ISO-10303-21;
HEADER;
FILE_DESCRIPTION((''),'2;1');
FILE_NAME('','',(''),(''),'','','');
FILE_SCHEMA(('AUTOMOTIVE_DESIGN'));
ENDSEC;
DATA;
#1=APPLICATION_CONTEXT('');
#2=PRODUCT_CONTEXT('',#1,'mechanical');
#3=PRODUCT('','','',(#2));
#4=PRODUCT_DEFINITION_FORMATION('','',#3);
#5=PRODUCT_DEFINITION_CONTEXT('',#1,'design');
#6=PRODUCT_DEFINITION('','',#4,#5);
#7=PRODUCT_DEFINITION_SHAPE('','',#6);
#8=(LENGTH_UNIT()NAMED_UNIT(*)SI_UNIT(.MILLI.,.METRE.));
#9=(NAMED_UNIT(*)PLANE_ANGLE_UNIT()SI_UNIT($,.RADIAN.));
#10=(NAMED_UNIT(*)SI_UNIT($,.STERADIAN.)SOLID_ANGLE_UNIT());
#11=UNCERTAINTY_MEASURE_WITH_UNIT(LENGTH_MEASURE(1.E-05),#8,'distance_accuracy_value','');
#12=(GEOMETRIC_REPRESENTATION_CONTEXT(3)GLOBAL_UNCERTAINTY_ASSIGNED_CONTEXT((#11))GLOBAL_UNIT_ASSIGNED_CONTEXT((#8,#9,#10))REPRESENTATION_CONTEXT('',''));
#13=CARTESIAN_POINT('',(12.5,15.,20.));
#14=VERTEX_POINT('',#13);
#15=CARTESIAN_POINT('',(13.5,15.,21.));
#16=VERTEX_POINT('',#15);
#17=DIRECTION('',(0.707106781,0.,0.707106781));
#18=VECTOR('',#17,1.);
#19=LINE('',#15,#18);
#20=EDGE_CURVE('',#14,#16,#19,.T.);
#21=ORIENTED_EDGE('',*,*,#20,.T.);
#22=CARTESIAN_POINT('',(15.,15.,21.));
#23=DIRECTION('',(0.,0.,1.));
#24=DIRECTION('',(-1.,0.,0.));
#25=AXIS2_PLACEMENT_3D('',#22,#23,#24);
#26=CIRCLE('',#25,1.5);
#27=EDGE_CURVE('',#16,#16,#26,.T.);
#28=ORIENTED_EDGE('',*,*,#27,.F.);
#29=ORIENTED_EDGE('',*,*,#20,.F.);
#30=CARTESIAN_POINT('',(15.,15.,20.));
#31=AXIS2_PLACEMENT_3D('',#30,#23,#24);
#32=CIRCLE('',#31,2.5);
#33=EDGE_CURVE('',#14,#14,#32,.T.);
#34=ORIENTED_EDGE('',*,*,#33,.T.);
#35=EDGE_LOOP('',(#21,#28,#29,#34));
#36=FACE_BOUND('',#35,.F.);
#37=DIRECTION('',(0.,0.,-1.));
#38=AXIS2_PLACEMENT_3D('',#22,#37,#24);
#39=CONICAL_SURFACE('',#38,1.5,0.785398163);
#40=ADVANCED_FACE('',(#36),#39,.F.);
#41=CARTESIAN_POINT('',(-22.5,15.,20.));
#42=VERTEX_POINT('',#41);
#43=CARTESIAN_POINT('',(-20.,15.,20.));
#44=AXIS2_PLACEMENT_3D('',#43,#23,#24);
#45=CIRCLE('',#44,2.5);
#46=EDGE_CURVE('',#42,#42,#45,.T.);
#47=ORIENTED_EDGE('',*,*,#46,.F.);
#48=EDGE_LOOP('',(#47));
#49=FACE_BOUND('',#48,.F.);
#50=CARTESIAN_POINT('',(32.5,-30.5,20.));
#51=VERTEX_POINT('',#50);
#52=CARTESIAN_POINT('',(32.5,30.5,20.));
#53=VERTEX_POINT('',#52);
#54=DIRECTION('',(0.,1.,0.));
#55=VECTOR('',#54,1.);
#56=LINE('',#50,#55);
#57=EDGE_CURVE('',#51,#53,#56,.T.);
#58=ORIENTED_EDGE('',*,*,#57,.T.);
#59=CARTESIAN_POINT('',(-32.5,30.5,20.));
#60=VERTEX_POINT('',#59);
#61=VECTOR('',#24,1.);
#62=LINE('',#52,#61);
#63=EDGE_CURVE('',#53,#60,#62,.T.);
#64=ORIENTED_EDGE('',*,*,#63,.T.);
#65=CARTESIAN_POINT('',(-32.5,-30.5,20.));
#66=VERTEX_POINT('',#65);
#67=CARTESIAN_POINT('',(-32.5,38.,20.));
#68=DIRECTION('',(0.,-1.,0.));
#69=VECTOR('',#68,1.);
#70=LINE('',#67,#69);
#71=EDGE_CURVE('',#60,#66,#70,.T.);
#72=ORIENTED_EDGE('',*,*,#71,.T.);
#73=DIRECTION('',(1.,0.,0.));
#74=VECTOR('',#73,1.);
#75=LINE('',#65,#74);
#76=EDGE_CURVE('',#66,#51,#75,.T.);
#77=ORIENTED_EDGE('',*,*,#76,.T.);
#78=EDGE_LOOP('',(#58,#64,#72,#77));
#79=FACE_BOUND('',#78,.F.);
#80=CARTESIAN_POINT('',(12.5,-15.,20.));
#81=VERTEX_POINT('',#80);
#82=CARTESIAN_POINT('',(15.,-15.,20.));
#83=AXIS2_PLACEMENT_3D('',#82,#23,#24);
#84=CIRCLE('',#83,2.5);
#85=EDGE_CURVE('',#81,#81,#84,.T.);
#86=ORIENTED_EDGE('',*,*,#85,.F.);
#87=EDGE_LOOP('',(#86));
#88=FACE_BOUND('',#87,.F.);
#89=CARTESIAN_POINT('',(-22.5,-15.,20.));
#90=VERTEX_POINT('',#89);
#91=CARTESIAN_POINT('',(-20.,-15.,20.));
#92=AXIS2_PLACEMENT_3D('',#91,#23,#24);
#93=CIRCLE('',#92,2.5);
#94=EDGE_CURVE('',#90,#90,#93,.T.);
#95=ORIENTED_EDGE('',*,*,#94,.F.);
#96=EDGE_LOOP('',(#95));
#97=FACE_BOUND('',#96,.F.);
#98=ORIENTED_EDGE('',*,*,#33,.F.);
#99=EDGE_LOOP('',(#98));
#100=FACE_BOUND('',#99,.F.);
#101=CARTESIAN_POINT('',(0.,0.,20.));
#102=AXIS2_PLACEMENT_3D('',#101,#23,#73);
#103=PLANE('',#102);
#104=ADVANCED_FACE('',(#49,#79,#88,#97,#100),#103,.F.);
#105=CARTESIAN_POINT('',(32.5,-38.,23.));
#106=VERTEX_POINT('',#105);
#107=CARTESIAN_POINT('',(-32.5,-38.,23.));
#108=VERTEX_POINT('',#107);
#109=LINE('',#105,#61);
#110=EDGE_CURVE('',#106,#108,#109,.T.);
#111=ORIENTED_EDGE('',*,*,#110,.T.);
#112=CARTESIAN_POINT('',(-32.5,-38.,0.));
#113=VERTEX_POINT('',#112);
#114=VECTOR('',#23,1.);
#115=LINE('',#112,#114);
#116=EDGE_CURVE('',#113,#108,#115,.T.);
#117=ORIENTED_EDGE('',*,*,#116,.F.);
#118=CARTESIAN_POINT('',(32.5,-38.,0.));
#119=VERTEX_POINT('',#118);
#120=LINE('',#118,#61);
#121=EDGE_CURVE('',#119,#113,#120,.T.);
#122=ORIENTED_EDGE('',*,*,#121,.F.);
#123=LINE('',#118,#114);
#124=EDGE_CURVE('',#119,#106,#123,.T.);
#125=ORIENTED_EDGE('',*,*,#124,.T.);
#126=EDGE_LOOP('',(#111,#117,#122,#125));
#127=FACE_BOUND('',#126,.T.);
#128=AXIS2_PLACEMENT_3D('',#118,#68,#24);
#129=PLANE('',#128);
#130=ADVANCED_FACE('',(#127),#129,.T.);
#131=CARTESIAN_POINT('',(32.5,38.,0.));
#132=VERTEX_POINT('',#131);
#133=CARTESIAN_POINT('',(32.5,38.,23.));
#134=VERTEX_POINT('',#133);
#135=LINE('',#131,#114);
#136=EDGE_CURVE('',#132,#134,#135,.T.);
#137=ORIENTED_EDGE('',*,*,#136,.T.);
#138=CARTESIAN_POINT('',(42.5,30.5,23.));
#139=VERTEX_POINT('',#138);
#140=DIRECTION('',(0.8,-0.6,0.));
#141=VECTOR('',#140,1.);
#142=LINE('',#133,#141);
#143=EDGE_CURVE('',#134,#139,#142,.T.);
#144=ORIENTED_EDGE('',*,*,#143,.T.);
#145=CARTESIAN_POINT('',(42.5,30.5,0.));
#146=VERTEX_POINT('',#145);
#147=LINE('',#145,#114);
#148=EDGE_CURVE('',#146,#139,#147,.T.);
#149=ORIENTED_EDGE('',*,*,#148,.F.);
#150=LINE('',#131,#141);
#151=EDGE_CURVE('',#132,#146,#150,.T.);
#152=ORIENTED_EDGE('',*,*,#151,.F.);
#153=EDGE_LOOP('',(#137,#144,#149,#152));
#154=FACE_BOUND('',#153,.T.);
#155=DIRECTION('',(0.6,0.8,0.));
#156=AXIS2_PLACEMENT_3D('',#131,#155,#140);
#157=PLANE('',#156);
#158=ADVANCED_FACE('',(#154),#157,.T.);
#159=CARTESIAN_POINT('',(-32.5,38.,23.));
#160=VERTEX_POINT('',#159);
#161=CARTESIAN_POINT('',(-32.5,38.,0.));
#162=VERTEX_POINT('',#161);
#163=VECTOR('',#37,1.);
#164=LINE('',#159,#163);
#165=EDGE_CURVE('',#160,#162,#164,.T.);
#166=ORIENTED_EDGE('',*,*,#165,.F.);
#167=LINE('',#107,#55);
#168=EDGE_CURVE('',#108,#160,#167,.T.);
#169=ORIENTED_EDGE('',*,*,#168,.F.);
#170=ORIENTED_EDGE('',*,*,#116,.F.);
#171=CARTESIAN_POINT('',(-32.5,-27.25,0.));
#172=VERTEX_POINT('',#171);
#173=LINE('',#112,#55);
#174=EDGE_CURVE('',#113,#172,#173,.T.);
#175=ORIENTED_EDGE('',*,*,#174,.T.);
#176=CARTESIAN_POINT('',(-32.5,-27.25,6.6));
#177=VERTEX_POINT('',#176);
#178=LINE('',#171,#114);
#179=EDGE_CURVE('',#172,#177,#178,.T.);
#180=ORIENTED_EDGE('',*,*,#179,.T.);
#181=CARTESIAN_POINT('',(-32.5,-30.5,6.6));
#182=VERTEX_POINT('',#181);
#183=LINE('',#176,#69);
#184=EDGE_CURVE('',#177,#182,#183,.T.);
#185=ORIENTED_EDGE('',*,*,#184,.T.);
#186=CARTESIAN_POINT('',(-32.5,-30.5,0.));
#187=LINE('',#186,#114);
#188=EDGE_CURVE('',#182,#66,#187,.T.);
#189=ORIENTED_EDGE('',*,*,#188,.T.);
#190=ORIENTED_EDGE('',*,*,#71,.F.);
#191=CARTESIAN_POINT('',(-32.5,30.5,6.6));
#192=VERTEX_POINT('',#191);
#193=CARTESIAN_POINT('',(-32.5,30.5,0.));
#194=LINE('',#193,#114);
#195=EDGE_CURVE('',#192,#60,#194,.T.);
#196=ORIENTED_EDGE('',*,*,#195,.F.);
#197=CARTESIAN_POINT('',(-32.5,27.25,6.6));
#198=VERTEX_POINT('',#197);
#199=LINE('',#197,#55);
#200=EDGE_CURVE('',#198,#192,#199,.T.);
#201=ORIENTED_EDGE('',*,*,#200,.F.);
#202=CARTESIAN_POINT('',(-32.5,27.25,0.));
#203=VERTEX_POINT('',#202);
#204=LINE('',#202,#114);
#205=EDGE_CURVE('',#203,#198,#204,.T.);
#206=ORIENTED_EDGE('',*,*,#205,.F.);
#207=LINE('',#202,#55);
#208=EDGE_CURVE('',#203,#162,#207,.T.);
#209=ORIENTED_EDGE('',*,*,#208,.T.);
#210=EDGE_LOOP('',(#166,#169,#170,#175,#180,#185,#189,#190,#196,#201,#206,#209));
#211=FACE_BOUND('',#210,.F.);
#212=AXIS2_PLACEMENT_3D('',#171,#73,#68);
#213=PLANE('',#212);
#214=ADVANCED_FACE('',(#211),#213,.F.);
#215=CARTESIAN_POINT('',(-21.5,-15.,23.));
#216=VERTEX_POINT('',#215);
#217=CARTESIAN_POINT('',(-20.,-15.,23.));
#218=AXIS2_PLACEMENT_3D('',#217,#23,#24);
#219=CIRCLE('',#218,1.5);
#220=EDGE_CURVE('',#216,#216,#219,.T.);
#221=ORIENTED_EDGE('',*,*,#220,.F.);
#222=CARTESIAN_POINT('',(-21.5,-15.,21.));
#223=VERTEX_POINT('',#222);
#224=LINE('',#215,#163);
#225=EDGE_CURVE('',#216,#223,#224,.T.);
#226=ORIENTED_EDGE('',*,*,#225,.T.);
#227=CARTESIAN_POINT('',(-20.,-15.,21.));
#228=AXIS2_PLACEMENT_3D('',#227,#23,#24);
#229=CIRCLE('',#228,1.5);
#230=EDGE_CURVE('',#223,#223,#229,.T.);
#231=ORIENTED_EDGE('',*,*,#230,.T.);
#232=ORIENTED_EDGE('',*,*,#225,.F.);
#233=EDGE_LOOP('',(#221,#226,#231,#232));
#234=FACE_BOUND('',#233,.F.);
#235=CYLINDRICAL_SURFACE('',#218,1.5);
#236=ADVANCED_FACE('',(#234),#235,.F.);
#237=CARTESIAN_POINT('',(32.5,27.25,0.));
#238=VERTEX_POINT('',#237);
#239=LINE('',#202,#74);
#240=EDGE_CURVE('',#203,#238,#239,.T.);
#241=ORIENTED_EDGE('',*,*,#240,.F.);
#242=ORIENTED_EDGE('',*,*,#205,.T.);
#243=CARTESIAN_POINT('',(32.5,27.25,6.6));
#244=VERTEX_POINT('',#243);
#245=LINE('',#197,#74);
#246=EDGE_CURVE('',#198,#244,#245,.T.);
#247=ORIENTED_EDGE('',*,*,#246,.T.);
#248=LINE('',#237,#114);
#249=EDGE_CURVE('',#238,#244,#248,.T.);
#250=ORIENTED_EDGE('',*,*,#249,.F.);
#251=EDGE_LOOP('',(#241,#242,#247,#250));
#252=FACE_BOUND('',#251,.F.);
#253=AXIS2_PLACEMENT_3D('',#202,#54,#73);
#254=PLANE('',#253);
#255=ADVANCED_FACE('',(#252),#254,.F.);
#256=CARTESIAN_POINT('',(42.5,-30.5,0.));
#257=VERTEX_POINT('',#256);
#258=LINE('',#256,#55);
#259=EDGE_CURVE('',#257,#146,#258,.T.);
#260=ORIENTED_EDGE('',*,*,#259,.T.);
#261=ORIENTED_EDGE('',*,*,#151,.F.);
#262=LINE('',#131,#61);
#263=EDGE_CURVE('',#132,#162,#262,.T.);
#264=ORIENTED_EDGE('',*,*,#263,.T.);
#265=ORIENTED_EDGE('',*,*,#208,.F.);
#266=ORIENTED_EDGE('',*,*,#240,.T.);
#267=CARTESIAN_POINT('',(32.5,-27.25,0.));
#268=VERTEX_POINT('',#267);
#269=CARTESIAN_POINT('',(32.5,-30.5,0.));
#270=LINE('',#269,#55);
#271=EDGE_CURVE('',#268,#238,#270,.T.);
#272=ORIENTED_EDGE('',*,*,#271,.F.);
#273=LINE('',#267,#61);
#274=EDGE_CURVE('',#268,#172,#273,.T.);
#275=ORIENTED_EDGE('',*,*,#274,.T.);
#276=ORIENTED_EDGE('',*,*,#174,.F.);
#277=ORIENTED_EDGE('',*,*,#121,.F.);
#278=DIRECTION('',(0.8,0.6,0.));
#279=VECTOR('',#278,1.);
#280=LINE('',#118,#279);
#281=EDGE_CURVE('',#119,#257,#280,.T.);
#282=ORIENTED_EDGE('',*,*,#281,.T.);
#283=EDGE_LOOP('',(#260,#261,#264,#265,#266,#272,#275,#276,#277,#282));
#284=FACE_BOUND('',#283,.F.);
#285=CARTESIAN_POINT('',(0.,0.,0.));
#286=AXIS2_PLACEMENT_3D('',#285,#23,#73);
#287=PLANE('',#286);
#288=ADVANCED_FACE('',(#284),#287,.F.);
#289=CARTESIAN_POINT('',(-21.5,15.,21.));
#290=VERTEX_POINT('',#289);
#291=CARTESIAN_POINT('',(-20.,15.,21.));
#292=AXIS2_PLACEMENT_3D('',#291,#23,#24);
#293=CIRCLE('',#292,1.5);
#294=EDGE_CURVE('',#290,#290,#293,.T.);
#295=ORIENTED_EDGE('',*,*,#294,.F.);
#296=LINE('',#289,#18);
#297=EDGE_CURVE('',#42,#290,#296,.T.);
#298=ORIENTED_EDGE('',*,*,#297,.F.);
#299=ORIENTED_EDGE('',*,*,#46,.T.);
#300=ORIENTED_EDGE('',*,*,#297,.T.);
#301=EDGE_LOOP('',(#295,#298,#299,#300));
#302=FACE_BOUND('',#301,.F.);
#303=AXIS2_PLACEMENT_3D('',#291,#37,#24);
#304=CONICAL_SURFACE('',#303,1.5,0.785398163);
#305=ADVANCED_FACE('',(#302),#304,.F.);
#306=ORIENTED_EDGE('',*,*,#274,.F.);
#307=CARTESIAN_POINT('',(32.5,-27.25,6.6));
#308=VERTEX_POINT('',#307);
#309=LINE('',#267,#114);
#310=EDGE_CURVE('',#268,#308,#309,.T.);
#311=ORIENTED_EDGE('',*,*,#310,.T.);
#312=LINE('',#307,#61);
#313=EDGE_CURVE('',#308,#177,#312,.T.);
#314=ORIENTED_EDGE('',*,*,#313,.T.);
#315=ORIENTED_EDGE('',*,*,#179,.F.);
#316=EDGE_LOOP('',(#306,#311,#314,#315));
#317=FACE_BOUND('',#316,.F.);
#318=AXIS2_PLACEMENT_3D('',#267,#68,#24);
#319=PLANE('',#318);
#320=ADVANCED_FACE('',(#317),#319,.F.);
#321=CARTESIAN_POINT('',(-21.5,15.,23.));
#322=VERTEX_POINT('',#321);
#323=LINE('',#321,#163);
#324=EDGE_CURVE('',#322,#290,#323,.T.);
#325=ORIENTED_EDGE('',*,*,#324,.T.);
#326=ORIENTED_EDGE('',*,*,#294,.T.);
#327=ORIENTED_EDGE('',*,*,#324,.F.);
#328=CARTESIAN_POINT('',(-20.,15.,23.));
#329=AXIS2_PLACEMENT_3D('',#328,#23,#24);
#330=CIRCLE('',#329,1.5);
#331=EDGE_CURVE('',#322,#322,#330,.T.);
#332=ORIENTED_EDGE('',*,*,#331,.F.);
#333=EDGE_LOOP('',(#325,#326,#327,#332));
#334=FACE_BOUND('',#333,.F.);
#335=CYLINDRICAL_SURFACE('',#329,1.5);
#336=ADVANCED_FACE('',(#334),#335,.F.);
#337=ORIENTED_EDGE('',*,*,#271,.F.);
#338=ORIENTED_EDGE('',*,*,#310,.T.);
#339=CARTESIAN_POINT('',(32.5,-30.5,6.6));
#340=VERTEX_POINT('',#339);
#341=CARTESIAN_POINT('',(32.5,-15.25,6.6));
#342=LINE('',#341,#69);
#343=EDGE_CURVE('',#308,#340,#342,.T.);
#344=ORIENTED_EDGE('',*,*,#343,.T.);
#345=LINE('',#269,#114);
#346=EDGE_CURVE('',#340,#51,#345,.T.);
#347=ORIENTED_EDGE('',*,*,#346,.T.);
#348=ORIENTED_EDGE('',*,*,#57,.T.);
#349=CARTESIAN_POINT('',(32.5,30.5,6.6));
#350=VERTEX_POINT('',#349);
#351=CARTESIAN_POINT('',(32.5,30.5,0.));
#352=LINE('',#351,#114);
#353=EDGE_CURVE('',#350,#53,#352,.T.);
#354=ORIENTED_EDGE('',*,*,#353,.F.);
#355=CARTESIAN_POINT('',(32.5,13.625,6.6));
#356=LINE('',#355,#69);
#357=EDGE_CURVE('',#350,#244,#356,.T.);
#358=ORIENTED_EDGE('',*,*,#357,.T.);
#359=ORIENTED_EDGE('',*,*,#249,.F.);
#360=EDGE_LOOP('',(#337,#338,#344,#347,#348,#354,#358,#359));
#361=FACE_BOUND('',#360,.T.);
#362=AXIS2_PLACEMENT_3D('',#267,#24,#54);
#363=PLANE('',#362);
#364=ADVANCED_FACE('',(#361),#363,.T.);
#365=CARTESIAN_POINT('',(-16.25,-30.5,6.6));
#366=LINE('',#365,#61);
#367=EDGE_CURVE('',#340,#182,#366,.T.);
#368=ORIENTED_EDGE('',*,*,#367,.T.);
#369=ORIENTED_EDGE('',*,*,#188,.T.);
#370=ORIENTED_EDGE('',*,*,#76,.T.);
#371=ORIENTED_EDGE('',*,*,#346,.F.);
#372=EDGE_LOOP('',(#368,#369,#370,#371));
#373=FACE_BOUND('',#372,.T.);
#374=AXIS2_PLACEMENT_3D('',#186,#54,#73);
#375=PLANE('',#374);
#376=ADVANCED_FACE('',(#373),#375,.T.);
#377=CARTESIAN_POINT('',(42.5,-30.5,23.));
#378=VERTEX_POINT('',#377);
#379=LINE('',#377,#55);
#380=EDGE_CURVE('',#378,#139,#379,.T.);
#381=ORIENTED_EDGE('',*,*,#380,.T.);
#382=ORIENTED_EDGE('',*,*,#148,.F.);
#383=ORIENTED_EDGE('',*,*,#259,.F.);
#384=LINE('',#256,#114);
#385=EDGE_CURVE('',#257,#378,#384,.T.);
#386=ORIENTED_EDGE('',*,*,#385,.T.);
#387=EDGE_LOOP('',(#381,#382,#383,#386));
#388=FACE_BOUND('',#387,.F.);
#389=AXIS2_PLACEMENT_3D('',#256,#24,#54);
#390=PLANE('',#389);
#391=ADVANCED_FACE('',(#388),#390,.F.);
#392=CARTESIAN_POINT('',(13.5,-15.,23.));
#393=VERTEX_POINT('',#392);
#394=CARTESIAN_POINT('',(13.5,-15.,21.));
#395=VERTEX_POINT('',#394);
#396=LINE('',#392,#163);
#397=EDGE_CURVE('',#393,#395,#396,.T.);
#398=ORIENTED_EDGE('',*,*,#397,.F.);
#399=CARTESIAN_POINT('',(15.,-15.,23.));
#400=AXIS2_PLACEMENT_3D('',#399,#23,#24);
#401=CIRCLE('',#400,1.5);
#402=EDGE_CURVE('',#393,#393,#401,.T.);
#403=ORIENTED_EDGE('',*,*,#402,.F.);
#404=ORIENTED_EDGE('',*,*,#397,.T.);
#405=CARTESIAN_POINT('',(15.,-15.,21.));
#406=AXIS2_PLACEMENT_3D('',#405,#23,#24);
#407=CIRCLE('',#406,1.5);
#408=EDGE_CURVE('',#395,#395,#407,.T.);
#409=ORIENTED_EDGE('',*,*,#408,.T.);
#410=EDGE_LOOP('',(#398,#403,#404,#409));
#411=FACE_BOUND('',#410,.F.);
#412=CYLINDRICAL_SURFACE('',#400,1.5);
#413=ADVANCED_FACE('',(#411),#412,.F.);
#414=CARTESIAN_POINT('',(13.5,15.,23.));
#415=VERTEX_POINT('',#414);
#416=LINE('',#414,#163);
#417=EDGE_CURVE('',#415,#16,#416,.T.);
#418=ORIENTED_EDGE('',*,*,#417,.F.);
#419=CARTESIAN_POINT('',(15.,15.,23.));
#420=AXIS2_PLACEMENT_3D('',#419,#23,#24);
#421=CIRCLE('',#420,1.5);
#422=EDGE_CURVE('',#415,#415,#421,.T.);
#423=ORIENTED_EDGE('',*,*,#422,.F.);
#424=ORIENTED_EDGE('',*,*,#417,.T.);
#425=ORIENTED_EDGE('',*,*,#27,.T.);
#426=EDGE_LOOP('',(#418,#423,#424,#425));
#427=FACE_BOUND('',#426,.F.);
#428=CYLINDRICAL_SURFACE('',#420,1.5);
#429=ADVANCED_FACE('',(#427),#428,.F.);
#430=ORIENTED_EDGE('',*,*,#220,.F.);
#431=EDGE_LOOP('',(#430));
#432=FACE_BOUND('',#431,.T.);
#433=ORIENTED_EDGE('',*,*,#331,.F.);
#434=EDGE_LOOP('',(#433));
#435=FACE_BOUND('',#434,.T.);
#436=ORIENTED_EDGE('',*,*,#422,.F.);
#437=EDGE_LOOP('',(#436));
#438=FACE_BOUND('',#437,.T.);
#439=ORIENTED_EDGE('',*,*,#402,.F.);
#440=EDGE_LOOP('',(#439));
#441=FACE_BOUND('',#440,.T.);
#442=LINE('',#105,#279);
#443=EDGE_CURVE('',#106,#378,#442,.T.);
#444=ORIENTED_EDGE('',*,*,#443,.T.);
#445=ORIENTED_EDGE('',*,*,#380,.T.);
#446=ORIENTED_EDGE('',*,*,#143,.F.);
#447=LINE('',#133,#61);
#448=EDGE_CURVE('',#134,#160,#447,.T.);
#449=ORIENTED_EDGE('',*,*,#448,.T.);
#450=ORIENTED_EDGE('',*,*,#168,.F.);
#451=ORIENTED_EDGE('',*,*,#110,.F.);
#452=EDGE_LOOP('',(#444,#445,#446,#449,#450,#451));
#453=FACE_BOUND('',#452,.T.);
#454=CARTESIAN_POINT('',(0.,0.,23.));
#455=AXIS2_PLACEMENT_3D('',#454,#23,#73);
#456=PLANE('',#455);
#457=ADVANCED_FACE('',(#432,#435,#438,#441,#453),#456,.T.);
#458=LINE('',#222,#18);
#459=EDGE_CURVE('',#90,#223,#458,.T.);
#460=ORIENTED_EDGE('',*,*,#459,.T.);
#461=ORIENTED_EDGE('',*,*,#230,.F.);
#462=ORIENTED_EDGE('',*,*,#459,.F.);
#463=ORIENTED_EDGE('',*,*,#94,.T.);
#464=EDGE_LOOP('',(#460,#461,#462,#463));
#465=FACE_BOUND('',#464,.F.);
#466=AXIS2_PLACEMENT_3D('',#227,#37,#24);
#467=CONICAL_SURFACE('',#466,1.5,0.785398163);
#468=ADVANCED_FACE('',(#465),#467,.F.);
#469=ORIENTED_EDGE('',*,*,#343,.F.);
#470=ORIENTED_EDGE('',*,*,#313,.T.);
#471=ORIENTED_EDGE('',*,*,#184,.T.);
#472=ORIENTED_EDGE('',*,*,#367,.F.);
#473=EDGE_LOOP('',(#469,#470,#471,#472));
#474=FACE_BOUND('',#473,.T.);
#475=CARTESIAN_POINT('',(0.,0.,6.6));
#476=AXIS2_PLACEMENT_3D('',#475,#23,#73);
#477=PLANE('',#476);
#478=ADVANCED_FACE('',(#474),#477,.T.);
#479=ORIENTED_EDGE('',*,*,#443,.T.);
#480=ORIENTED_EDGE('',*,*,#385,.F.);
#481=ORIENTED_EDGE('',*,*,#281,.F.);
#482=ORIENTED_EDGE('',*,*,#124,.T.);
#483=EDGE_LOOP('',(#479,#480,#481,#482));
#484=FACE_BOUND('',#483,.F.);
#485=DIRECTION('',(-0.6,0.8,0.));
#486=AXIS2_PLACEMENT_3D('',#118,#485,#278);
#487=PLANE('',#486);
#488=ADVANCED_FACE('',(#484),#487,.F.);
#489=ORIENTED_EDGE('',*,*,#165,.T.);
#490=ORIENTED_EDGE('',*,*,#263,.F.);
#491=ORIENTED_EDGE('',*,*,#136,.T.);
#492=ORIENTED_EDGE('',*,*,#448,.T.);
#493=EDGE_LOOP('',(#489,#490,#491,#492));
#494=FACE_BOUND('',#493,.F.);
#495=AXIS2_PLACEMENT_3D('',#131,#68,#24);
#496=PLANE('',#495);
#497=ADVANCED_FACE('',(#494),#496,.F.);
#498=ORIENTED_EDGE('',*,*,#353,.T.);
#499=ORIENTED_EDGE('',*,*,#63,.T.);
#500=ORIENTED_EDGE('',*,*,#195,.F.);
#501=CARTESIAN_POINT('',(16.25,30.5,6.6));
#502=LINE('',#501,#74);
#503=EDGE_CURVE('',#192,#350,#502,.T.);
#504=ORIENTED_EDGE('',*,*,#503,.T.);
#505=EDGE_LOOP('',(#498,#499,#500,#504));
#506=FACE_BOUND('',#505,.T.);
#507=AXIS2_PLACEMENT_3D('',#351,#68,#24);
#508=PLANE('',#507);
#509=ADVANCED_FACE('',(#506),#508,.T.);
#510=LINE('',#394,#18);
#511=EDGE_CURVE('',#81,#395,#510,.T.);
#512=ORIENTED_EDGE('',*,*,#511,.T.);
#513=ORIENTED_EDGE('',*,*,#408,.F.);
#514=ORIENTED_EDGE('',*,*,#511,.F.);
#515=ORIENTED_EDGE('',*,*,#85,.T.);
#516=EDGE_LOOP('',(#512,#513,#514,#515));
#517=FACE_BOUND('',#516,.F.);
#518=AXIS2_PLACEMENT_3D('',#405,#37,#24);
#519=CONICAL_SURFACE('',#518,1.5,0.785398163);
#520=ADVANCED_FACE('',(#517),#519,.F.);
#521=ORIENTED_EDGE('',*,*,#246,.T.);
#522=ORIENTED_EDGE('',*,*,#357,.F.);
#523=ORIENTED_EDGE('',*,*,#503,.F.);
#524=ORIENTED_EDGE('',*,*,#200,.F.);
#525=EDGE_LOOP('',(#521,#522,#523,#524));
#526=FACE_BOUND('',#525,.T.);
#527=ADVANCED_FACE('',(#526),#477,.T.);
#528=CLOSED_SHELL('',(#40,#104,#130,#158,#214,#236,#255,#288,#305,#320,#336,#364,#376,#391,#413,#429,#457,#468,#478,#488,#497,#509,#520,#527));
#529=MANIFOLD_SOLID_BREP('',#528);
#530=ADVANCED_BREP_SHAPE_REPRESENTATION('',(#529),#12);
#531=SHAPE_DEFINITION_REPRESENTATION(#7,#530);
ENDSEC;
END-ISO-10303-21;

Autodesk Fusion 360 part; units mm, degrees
sketch "Sketch1" plane through (0, 0, 0) normal (0, 0, 1) x (1, 0, 0)
  line L0 (32.5, 30.5) -> (-32.5, 30.5)
  line L1 (-32.5, 30.5) -> (-32.5, -30.5)
  line L2 (-32.5, -30.5) -> (32.5, -30.5)
  line L3 (32.5, -30.5) -> (32.5, 30.5)
  line L4 (32.5, -27.25) -> (-32.5, -27.25)
  line L5 (-32.5, -27.25) -> (-32.5, 27.25)
  line L6 (-32.5, 27.25) -> (32.5, 27.25)
  line L7 (32.5, 27.25) -> (32.5, -27.25)
  line L8 (32.5, 38) -> (-32.5, 38)
  line L9 (42.5, -30.5) -> (42.5, 30.5)
  line L10 (32.5, 38) -> (42.5, 30.5)
  line L11 (-32.5, 38) -> (-32.5, 30.5)
  line L12 (1.75, 0) -> (22.5, 0)
  line L13 (-32.5, -38) -> (-32.5, -30.5)
  line L14 (32.5, -38) -> (-32.5, -38)
  line L15 (32.5, -38) -> (42.5, -30.5)
  line L16 (42.5, 30.5) -> (42.5, -30.5)
  dimension "d1" = 65
  dimension "d2" = 61
  dimension "d3" = 65
  dimension "d4" = 54.5
  dimension "d5" = 7.5
  dimension "d6" = 10
extrude "Extrude1" add sketch "Sketch1" along normal blind 6.6 contours L0 L1 L3 L6 | L0 L2 L3 L7 L8 L9 L10 L11 L13 L14 L15 L16 | L1 L2 L3 L4
extrude "Extrude2" add sketch "Sketch1" along normal blind 20 contours L0 L2 L3 L7 L8 L9 L10 L11 L13 L14 L15 L16
extrude "Extrude3" add sketch "Sketch1" along normal blind 23 and the other way blind -20
sketch "Sketch2" plane through (0, 0, 23) normal (0, 0, 1) x (-1, 0, 0)
  line L0 (-32.5, -38) -> (32.5, -38)
  line L1 (32.5, -38) -> (32.5, 38)
  line L2 (32.5, 38) -> (-32.5, 38)
  line L3 (-32.5, 38) -> (-42.5, 30.5)
  line L4 (-42.5, 30.5) -> (-42.5, -30.5)
  line L5 (-42.5, -30.5) -> (-32.5, -38)
  circle A0 centre (20, 15) radius 1.5
  circle A1 centre (-15, 15) radius 1.5
  line L6 (-1.75, 0) -> (-22.5, 0)
  circle A2 centre (20, -15) radius 1.5
  circle A3 centre (-15, -15) radius 1.5
  dimension "d15" = 3
  dimension "d16" = 3
extrude "Extrude4" cut sketch "Sketch2" against normal blind 5 contours A0 | A1 | A2 | A3
chamfer "Chamfer1" distance 1 angle 45 4 edges at (-18.6015, 15.5424, 20) (-18.6015, -14.4576, 20) (16.3985, -14.4576, 20) (16.3985, 15.5424, 20)
